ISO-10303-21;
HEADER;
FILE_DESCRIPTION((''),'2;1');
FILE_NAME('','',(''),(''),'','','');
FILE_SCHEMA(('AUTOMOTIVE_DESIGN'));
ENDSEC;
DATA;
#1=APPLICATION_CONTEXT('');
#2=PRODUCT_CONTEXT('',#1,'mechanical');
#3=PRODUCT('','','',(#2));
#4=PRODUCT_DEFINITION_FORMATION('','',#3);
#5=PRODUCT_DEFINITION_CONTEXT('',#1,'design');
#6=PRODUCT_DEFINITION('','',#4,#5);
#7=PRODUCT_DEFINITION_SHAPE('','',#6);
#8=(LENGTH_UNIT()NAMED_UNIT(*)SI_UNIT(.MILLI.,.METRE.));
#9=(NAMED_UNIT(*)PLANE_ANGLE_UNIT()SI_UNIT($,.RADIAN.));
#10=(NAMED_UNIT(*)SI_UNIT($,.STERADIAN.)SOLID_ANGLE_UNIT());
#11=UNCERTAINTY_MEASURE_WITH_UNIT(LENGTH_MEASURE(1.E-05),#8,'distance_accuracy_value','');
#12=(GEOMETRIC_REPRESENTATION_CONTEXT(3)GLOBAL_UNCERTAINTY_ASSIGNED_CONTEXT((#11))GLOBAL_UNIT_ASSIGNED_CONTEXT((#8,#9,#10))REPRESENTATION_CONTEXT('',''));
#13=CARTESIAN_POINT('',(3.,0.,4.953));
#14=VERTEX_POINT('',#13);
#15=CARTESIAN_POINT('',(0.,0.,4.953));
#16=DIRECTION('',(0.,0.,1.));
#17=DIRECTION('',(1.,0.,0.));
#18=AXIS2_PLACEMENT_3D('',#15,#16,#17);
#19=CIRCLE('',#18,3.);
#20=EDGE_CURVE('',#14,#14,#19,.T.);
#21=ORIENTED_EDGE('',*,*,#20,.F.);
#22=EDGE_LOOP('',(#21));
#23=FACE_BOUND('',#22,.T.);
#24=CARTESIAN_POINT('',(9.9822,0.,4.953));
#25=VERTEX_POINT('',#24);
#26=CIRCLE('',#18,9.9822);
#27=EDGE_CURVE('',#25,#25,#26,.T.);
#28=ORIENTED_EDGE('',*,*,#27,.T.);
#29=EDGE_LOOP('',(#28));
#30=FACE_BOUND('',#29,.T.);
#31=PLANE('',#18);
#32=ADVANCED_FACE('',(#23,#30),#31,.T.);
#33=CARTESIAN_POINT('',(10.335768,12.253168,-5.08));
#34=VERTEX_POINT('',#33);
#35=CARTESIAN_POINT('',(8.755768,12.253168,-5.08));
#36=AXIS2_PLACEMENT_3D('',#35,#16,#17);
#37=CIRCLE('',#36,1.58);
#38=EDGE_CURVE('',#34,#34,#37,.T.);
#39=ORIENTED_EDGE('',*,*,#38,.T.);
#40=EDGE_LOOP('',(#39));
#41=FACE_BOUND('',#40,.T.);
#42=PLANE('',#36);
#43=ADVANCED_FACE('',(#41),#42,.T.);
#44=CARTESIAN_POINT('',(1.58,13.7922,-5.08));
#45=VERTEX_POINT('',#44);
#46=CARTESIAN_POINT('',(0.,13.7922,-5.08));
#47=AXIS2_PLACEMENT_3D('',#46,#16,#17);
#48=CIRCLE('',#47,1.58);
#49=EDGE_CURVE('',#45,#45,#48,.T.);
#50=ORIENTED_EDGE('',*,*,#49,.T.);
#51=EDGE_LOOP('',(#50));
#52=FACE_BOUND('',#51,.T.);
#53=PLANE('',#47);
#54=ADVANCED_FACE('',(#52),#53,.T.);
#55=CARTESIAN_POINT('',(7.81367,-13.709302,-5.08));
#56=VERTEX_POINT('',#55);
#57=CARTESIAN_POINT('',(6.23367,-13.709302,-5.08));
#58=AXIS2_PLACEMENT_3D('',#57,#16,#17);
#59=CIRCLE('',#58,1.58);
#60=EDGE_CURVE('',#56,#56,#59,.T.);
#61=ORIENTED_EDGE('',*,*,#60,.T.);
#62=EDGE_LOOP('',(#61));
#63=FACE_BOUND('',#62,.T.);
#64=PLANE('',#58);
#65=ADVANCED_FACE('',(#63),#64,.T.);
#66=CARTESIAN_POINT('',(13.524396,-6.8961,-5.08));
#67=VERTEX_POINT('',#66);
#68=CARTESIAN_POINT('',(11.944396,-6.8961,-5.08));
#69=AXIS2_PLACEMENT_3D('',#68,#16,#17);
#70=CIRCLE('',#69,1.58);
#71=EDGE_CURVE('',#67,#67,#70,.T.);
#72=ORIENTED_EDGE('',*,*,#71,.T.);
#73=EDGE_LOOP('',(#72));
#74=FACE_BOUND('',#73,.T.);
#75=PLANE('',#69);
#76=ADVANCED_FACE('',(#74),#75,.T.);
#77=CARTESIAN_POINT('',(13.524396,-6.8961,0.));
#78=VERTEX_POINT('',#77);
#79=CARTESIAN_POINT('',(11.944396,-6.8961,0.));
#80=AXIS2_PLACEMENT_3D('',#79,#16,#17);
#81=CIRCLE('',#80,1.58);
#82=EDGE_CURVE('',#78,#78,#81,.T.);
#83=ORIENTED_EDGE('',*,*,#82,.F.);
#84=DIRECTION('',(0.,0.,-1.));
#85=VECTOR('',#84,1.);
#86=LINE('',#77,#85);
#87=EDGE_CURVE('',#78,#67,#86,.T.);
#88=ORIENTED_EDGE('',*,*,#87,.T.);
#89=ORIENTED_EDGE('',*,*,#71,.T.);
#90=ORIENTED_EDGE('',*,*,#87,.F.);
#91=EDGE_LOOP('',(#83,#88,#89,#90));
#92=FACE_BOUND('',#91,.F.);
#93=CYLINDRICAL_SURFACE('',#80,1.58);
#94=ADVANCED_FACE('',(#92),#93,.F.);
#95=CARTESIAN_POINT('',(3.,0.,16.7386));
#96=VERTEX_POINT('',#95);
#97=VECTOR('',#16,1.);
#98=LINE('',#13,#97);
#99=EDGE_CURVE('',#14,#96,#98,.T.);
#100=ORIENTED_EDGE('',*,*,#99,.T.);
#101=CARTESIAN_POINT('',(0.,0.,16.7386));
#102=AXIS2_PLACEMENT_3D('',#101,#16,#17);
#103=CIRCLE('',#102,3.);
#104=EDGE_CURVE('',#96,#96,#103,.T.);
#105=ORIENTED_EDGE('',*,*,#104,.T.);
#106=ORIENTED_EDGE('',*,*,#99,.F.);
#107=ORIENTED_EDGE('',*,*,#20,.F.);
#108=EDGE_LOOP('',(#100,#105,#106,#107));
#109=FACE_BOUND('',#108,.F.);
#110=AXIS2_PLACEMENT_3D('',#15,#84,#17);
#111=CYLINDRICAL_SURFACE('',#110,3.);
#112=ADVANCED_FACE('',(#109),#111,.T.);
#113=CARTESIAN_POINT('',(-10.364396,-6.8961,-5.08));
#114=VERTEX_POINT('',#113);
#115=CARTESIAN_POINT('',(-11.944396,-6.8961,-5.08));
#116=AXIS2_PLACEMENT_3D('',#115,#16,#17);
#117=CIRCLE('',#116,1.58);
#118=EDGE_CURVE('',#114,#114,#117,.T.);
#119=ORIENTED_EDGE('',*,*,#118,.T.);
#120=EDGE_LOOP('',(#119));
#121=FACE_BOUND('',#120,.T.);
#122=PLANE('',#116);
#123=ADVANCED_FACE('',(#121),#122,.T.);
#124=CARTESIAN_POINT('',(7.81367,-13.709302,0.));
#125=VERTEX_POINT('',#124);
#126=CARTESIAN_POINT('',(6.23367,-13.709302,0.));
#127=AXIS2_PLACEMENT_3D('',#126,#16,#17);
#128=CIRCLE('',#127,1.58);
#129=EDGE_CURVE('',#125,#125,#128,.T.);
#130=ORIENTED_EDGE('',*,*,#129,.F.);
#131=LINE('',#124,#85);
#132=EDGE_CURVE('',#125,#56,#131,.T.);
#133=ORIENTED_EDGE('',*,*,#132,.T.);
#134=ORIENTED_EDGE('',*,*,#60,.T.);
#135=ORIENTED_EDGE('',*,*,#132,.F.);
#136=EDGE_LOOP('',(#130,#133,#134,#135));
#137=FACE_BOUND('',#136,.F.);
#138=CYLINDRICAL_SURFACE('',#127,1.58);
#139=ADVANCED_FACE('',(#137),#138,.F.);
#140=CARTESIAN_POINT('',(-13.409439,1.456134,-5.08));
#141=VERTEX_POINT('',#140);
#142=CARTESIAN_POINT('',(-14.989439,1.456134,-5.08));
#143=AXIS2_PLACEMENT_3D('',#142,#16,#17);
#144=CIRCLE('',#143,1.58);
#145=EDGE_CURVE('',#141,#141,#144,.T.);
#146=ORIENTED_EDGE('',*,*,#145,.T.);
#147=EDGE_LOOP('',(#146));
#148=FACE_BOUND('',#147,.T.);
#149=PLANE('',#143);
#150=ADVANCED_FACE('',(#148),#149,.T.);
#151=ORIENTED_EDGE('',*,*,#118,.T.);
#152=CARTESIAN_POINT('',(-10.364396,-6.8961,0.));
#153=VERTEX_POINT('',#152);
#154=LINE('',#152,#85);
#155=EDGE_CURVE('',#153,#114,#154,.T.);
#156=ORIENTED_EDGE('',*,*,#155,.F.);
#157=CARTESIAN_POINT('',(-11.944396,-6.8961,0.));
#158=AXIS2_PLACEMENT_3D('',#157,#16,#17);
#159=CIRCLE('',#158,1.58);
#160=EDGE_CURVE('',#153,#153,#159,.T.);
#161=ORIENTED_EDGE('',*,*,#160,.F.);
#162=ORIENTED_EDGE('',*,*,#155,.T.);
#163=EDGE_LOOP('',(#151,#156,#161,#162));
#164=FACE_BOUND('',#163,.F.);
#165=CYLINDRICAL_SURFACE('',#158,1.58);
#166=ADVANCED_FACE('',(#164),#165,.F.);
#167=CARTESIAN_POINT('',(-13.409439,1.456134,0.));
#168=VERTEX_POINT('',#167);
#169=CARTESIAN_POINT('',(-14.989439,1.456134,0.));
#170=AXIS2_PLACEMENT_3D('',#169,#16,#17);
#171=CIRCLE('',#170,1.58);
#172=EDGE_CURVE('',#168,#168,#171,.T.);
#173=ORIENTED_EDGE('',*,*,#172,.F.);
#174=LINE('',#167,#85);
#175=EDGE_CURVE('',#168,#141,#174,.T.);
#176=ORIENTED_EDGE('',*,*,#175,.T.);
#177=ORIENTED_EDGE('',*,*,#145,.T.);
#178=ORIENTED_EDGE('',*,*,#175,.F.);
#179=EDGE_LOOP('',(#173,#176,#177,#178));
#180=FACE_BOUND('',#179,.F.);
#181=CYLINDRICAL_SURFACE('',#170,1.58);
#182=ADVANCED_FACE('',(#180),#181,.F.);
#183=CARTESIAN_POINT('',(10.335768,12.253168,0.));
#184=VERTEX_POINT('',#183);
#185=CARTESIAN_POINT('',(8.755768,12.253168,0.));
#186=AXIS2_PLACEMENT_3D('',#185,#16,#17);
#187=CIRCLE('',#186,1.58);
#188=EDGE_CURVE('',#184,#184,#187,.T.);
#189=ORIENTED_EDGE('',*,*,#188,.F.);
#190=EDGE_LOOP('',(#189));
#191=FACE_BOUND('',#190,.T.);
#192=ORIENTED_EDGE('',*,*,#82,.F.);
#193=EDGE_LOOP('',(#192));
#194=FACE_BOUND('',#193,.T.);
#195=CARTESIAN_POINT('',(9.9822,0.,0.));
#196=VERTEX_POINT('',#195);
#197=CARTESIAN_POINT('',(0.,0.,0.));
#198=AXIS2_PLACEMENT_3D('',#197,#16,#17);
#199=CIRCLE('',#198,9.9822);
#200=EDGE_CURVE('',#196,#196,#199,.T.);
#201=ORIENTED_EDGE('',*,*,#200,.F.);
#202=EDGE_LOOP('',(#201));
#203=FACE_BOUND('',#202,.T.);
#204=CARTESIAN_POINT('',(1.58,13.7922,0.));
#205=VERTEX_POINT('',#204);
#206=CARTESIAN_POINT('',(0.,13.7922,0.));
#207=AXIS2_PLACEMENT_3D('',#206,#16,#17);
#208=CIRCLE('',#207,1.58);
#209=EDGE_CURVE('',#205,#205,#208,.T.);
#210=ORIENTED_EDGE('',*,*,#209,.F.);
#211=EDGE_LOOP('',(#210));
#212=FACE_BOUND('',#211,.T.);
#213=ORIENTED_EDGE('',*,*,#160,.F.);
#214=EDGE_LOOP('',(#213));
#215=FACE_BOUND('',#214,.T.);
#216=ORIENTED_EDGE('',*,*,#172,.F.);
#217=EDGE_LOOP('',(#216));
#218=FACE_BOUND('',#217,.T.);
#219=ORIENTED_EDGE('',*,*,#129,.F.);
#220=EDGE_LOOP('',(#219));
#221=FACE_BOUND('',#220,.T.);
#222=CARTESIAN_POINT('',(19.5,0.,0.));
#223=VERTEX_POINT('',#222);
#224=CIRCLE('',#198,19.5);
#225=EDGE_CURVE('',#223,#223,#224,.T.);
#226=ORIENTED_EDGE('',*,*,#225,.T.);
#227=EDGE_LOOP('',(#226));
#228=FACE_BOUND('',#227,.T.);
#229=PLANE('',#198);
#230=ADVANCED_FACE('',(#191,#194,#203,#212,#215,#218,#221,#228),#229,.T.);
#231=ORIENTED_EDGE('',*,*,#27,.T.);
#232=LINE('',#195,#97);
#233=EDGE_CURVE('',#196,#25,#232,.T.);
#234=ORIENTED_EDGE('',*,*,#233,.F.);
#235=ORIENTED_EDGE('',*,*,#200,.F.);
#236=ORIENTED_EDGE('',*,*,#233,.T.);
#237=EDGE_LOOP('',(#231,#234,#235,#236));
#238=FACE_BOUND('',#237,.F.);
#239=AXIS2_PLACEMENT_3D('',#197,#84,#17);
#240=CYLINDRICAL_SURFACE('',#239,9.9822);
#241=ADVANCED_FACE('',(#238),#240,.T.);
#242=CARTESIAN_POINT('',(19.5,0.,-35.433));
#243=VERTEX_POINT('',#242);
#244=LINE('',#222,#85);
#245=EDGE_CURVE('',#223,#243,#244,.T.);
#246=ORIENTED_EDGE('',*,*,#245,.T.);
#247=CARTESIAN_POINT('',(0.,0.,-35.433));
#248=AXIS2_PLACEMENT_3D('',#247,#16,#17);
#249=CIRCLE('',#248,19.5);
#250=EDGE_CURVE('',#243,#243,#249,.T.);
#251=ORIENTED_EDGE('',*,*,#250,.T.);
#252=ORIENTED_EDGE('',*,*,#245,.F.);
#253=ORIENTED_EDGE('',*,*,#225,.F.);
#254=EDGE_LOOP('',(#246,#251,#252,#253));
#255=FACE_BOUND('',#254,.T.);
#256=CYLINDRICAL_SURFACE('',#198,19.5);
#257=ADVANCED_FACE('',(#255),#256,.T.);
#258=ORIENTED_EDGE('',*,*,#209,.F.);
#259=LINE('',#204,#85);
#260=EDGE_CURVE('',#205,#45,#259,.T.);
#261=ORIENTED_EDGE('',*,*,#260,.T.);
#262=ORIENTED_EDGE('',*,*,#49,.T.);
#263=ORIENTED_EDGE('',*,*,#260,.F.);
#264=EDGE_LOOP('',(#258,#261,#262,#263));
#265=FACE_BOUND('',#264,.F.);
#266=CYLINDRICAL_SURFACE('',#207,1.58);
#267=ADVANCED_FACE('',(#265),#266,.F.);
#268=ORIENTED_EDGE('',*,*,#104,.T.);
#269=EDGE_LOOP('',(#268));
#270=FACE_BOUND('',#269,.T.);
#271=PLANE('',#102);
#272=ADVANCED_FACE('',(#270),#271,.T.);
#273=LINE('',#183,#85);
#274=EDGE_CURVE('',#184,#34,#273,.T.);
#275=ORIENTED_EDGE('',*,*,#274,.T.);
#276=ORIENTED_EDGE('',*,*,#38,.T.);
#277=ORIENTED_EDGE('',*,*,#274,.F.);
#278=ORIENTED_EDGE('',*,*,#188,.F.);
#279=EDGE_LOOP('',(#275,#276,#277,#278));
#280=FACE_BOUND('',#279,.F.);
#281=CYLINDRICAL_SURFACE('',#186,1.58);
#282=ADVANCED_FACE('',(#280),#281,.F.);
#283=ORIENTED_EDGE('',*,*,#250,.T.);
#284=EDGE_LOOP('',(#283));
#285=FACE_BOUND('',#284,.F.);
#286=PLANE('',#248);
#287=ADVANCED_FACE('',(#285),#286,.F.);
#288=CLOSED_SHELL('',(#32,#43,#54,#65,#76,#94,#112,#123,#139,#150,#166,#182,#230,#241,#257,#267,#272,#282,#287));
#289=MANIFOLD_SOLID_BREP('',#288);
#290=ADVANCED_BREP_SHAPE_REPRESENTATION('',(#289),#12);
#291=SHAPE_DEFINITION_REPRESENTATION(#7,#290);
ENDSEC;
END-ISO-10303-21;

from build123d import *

# Parameters (mm, degrees)
SKETCH1_R           = 19.5
BOSS_EXTRUDE1_DEPTH = 35.433
SKETCH2_R           = 9.9822
BOSS_EXTRUDE2_DEPTH = 4.953
SKETCH4_R           = 3
BOSS_EXTRUDE3_DEPTH = 11.7856
SKETCH5_R           = 1.58
CUT_EXTRUDE1_DEPTH  = 5.08


with BuildPart() as part:
    # Sketch1 → Boss-Extrude1 (new body)
    with BuildSketch(Plane.XY):
        Circle(SKETCH1_R)
    extrude(amount=-BOSS_EXTRUDE1_DEPTH)

    # Sketch2 → Boss-Extrude2 (add)
    with BuildSketch(Plane.XY):
        Circle(SKETCH2_R)
    extrude(amount=BOSS_EXTRUDE2_DEPTH)

    # Sketch4 → Boss-Extrude3 (add)
    with BuildSketch(Plane.XY.offset(4.953)):
        Circle(SKETCH4_R)
    extrude(amount=BOSS_EXTRUDE3_DEPTH)

    # Sketch5 → Cut-Extrude1 (cut)
    with BuildSketch(Plane.XY):
        with Locations((-11.944395574, -6.8961)):
            Circle(SKETCH5_R)
        with Locations((11.944395574, -6.8961)):
            Circle(SKETCH5_R)
        with Locations((0, 13.7922)):
            Circle(SKETCH5_R)
        with Locations((8.755768371, 12.253167763)):
            Circle(SKETCH5_R)
        with Locations((6.233670374, -13.709301721)):
            Circle(SKETCH5_R)
        with Locations((-14.989438745, 1.456133958)):
            Circle(SKETCH5_R)
    extrude(amount=-CUT_EXTRUDE1_DEPTH, mode=Mode.SUBTRACT)


solid = part.part
